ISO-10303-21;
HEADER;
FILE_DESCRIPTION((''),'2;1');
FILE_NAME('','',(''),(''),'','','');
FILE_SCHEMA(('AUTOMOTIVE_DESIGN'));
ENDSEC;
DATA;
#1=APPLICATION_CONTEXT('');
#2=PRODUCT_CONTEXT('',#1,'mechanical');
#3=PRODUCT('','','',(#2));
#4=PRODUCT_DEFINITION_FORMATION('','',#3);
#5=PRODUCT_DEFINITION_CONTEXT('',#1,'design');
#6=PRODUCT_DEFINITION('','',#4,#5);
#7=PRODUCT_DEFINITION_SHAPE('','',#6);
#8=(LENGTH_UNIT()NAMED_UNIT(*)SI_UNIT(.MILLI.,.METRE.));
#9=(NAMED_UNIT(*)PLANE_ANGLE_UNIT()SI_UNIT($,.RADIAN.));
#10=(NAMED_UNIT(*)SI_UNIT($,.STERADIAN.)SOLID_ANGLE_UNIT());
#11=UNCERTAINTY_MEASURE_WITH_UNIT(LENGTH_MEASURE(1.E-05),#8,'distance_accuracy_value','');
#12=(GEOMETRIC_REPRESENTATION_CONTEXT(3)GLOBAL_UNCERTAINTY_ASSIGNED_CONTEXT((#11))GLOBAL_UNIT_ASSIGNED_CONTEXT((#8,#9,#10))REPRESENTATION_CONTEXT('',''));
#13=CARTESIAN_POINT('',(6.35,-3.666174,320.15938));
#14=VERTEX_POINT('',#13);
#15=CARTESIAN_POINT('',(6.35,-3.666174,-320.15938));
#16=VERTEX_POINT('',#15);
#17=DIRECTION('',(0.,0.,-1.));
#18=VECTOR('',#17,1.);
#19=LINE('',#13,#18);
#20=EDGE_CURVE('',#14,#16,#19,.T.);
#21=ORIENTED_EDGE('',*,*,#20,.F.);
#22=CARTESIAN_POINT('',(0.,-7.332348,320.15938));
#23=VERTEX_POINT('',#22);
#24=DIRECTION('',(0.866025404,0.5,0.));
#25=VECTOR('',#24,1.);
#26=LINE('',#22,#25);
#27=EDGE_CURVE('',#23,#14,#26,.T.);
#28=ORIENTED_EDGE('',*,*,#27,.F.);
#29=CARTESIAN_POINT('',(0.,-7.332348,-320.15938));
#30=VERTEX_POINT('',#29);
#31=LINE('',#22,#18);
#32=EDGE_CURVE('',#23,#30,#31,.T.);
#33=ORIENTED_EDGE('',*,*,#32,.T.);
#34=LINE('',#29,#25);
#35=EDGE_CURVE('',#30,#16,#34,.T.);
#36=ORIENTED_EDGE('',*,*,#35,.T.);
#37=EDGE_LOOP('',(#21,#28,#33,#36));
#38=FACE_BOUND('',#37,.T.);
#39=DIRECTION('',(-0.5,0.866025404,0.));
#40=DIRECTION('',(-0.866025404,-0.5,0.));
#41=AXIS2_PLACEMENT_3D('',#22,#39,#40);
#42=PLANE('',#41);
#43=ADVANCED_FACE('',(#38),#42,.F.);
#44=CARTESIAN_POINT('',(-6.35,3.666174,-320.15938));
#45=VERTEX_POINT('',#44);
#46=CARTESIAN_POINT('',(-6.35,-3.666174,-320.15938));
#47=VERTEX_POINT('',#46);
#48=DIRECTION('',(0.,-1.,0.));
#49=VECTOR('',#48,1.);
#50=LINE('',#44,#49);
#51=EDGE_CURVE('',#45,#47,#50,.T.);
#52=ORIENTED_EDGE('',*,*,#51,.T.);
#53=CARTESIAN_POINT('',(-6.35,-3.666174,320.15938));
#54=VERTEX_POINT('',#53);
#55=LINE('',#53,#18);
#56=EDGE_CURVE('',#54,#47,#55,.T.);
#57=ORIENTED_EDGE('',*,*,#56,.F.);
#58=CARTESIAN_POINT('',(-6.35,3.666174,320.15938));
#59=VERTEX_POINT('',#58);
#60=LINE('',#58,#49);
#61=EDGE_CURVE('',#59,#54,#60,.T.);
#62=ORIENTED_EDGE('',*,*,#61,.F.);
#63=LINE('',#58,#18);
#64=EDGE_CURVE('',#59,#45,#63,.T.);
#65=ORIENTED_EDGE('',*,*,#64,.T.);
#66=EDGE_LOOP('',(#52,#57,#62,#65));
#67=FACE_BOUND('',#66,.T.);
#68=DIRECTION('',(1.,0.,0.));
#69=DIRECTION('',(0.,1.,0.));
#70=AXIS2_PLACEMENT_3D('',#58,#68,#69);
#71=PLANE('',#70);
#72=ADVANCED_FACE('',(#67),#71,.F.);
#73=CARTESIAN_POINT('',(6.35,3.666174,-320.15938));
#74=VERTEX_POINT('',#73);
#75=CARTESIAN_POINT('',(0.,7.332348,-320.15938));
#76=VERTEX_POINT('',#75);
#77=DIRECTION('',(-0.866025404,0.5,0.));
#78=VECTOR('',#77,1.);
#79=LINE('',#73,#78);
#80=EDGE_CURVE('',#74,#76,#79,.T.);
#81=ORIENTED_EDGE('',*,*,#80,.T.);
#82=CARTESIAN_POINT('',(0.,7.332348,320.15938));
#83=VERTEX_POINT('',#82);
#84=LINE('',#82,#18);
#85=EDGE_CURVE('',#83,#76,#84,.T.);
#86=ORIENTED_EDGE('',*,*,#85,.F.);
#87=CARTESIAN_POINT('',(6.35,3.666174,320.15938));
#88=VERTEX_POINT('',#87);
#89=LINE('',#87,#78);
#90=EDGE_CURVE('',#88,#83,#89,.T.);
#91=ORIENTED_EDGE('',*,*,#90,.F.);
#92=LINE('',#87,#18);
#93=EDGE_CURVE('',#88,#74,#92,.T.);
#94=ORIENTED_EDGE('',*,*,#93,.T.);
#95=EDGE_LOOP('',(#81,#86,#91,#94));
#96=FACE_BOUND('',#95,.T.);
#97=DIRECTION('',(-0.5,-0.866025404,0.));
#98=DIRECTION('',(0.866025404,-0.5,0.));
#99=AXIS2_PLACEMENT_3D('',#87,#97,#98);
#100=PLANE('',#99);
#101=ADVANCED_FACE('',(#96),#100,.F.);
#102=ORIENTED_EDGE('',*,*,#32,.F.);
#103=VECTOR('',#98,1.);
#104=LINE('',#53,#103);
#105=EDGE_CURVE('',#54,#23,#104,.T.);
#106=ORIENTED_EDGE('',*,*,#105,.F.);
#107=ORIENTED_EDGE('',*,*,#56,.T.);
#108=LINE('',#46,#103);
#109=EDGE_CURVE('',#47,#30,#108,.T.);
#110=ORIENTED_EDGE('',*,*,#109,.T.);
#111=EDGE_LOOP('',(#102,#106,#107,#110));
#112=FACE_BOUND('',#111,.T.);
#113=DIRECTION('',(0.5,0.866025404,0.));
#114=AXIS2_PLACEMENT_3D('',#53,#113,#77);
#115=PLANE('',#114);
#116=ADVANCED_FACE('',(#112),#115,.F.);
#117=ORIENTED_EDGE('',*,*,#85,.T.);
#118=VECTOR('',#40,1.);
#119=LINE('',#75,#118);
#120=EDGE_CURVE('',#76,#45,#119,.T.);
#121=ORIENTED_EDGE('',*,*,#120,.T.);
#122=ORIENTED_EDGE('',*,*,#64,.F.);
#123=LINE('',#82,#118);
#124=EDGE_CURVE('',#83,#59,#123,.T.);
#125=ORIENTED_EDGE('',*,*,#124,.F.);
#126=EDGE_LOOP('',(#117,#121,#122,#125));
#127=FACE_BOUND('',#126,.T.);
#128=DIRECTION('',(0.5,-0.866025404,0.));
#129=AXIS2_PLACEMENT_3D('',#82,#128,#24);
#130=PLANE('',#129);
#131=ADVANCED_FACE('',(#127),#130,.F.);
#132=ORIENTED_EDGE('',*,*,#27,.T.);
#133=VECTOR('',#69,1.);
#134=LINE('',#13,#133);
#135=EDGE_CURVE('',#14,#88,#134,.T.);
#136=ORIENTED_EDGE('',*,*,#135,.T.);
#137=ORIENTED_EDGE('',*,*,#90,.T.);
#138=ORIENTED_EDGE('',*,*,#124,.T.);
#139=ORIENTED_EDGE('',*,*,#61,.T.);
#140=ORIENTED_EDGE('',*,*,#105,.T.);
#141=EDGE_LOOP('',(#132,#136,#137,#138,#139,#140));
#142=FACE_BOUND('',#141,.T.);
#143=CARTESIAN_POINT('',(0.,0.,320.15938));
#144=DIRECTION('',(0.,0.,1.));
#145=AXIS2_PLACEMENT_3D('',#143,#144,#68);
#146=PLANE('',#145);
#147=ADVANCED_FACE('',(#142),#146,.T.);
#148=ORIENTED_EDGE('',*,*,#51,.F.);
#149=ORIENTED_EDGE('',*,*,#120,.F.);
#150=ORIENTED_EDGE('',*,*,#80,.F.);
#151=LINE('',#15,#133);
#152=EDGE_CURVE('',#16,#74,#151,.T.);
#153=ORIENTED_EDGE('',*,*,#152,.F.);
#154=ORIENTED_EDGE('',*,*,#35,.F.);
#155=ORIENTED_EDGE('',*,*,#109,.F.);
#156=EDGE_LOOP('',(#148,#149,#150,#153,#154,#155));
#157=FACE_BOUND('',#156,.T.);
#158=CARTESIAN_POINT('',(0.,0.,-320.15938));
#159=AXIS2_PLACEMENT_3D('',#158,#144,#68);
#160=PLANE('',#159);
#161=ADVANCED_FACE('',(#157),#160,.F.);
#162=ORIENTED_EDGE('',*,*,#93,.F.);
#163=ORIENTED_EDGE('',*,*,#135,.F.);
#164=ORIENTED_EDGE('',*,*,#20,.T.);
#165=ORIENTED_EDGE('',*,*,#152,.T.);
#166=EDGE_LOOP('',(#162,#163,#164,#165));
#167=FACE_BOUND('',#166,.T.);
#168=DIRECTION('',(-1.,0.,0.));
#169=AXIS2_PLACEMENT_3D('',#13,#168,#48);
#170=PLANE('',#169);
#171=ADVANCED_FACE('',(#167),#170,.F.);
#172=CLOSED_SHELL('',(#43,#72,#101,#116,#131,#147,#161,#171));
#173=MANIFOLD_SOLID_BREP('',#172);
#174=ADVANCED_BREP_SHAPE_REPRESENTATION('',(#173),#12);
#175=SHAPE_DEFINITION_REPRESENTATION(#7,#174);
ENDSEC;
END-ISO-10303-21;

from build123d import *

# Parameters (mm, degrees)
BOSS_EXTRUDE1_DEPTH = 320.15938


with BuildPart() as part:
    # Sketch1 → Boss-Extrude1 (new, symmetric)
    with BuildSketch(Plane.XY):
        Polygon((0, 7.332348419), (-6.35, 3.666174209), (-6.35, -3.666174209), (0, -7.332348419), (6.35, -3.666174209), (6.35, 3.666174209), align=None)
    extrude(amount=BOSS_EXTRUDE1_DEPTH, both=True)


solid = part.part
